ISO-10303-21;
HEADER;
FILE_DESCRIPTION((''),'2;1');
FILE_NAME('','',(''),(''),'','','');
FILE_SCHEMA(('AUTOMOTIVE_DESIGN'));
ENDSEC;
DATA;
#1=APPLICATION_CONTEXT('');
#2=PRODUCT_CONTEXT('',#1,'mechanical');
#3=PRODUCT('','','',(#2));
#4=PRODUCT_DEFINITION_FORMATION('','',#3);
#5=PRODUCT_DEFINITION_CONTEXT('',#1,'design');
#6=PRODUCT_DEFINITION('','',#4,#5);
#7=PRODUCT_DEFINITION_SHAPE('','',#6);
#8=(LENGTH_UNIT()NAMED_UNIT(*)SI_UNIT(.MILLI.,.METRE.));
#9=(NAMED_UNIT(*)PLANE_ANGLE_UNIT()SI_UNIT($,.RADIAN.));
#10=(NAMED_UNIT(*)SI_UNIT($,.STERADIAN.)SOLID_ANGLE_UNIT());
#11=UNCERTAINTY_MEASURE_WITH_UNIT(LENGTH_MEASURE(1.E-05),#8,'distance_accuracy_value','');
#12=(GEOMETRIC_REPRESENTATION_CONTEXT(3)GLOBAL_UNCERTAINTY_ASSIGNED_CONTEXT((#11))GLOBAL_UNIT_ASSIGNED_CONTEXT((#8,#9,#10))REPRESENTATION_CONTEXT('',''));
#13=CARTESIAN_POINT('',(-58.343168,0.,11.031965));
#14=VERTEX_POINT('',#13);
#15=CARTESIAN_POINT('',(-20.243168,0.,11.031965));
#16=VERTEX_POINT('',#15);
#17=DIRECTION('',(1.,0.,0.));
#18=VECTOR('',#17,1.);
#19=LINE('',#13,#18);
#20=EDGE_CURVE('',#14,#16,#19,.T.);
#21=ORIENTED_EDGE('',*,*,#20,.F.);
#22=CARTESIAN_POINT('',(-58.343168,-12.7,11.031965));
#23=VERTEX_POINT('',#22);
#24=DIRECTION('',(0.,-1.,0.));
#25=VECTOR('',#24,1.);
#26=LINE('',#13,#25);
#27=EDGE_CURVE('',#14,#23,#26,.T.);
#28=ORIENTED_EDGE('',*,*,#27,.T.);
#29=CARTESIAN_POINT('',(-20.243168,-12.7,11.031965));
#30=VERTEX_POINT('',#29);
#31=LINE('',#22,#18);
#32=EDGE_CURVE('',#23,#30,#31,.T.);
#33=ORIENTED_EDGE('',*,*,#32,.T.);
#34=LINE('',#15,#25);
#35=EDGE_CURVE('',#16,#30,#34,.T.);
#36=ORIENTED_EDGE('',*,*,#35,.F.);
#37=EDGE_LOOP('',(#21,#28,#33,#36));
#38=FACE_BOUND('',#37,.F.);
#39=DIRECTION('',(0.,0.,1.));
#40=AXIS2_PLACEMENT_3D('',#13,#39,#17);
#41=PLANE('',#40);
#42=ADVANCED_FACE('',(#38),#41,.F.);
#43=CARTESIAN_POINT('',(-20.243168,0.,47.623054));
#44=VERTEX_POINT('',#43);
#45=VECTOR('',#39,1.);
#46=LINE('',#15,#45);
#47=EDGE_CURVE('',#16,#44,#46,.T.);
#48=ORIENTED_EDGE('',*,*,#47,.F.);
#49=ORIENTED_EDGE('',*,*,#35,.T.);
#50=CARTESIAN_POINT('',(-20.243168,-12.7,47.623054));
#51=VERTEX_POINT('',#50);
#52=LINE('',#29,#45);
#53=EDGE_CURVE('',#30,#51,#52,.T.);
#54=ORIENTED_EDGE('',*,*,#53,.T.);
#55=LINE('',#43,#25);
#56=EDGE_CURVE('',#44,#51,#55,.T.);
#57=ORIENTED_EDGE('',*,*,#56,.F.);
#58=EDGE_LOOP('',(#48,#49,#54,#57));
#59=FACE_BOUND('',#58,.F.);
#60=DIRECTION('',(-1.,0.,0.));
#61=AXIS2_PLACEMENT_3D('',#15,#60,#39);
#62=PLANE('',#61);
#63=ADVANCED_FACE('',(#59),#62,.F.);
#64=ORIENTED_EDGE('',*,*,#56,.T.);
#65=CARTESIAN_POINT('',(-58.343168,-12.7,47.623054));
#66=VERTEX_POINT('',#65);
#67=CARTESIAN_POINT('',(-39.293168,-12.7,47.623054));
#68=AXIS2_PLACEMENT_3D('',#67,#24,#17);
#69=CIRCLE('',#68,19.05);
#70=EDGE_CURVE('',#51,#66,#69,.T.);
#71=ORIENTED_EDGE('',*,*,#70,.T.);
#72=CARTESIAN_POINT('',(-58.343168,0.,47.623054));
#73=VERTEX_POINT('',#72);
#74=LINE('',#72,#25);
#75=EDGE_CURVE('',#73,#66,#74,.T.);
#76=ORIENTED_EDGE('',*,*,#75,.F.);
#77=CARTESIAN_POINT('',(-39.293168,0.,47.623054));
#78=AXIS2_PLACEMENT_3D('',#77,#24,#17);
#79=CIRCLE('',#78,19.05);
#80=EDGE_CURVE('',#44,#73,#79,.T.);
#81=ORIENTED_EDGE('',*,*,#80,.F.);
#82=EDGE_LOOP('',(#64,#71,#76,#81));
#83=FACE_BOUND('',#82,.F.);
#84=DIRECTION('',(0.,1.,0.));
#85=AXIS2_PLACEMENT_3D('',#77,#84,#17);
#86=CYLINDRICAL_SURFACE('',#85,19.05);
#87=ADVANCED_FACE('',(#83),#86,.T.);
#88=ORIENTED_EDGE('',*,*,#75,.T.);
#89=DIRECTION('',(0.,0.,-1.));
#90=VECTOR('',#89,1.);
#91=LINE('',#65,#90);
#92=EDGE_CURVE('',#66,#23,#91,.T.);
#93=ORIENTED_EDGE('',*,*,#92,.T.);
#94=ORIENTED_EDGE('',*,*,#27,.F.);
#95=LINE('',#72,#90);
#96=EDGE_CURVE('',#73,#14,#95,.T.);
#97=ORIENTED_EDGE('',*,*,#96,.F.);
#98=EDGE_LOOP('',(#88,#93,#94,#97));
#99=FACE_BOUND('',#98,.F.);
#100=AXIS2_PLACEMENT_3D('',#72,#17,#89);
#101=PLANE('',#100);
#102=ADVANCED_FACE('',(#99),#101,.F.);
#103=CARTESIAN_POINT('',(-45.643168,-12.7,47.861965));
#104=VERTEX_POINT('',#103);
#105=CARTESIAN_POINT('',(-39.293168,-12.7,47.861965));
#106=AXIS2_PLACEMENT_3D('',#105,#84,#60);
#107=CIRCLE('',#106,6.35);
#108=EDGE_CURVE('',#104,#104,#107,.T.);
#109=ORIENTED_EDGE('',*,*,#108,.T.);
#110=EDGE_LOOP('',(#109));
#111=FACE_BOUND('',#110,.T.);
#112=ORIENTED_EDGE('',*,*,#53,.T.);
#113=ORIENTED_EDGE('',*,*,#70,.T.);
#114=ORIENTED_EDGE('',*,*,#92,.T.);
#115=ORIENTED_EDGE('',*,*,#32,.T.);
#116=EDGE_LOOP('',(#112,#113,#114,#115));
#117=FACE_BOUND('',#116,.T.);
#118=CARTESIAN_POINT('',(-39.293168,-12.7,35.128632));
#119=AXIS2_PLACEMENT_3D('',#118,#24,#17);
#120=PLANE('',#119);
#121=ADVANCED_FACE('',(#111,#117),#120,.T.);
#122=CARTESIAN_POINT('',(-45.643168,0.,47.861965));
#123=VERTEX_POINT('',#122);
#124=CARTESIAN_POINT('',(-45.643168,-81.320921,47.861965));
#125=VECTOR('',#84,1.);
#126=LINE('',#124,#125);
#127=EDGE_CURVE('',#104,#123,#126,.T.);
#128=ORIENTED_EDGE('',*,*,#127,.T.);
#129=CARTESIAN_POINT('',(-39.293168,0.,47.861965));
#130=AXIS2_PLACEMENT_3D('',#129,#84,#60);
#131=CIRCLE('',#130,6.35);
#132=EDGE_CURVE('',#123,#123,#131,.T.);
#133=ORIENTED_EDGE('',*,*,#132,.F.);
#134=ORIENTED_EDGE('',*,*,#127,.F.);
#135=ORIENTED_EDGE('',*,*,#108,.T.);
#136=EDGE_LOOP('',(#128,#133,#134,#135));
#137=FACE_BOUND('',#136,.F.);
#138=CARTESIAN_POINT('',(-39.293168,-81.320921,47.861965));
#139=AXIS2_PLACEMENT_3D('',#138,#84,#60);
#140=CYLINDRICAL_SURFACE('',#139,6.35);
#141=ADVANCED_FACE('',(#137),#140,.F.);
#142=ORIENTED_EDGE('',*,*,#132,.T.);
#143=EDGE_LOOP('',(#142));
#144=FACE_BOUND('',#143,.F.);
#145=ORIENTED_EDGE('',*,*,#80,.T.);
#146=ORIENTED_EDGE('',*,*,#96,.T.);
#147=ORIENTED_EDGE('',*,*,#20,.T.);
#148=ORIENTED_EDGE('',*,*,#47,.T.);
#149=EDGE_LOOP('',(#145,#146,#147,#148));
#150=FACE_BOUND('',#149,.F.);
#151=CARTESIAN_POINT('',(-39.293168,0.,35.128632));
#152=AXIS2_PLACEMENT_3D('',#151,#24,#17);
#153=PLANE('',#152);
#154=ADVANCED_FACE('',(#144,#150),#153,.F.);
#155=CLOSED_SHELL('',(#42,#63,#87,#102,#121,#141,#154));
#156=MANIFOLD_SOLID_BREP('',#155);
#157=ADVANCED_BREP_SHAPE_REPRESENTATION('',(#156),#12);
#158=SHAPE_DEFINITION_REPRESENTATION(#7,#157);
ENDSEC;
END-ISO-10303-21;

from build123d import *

# Parameters (mm, degrees)
F1_DEPTH = 12.7
F3_D     = 12.7


with BuildPart() as f1:
    # F0 (on Front) → F1 (new body)
    with BuildSketch(Plane.XZ):
        with BuildLine():
            Line((-58.343168, 47.623054), (-58.343168, 11.031965))
            Line((-58.343168, 11.031965), (-20.243168, 11.031965))
            Line((-20.243168, 11.031965), (-20.243168, 47.623054))
            ThreePointArc((-20.243168, 47.623054), (-39.293168, 66.673054), (-58.343168, 47.623054))
        make_face()
    extrude(amount=F1_DEPTH)

    # F3 (through all)
    with Locations(Plane.XZ.offset(12.7)):
        with Locations((-39.293168, 47.861965)):
            Hole(F3_D / 2)


solid = f1.part
